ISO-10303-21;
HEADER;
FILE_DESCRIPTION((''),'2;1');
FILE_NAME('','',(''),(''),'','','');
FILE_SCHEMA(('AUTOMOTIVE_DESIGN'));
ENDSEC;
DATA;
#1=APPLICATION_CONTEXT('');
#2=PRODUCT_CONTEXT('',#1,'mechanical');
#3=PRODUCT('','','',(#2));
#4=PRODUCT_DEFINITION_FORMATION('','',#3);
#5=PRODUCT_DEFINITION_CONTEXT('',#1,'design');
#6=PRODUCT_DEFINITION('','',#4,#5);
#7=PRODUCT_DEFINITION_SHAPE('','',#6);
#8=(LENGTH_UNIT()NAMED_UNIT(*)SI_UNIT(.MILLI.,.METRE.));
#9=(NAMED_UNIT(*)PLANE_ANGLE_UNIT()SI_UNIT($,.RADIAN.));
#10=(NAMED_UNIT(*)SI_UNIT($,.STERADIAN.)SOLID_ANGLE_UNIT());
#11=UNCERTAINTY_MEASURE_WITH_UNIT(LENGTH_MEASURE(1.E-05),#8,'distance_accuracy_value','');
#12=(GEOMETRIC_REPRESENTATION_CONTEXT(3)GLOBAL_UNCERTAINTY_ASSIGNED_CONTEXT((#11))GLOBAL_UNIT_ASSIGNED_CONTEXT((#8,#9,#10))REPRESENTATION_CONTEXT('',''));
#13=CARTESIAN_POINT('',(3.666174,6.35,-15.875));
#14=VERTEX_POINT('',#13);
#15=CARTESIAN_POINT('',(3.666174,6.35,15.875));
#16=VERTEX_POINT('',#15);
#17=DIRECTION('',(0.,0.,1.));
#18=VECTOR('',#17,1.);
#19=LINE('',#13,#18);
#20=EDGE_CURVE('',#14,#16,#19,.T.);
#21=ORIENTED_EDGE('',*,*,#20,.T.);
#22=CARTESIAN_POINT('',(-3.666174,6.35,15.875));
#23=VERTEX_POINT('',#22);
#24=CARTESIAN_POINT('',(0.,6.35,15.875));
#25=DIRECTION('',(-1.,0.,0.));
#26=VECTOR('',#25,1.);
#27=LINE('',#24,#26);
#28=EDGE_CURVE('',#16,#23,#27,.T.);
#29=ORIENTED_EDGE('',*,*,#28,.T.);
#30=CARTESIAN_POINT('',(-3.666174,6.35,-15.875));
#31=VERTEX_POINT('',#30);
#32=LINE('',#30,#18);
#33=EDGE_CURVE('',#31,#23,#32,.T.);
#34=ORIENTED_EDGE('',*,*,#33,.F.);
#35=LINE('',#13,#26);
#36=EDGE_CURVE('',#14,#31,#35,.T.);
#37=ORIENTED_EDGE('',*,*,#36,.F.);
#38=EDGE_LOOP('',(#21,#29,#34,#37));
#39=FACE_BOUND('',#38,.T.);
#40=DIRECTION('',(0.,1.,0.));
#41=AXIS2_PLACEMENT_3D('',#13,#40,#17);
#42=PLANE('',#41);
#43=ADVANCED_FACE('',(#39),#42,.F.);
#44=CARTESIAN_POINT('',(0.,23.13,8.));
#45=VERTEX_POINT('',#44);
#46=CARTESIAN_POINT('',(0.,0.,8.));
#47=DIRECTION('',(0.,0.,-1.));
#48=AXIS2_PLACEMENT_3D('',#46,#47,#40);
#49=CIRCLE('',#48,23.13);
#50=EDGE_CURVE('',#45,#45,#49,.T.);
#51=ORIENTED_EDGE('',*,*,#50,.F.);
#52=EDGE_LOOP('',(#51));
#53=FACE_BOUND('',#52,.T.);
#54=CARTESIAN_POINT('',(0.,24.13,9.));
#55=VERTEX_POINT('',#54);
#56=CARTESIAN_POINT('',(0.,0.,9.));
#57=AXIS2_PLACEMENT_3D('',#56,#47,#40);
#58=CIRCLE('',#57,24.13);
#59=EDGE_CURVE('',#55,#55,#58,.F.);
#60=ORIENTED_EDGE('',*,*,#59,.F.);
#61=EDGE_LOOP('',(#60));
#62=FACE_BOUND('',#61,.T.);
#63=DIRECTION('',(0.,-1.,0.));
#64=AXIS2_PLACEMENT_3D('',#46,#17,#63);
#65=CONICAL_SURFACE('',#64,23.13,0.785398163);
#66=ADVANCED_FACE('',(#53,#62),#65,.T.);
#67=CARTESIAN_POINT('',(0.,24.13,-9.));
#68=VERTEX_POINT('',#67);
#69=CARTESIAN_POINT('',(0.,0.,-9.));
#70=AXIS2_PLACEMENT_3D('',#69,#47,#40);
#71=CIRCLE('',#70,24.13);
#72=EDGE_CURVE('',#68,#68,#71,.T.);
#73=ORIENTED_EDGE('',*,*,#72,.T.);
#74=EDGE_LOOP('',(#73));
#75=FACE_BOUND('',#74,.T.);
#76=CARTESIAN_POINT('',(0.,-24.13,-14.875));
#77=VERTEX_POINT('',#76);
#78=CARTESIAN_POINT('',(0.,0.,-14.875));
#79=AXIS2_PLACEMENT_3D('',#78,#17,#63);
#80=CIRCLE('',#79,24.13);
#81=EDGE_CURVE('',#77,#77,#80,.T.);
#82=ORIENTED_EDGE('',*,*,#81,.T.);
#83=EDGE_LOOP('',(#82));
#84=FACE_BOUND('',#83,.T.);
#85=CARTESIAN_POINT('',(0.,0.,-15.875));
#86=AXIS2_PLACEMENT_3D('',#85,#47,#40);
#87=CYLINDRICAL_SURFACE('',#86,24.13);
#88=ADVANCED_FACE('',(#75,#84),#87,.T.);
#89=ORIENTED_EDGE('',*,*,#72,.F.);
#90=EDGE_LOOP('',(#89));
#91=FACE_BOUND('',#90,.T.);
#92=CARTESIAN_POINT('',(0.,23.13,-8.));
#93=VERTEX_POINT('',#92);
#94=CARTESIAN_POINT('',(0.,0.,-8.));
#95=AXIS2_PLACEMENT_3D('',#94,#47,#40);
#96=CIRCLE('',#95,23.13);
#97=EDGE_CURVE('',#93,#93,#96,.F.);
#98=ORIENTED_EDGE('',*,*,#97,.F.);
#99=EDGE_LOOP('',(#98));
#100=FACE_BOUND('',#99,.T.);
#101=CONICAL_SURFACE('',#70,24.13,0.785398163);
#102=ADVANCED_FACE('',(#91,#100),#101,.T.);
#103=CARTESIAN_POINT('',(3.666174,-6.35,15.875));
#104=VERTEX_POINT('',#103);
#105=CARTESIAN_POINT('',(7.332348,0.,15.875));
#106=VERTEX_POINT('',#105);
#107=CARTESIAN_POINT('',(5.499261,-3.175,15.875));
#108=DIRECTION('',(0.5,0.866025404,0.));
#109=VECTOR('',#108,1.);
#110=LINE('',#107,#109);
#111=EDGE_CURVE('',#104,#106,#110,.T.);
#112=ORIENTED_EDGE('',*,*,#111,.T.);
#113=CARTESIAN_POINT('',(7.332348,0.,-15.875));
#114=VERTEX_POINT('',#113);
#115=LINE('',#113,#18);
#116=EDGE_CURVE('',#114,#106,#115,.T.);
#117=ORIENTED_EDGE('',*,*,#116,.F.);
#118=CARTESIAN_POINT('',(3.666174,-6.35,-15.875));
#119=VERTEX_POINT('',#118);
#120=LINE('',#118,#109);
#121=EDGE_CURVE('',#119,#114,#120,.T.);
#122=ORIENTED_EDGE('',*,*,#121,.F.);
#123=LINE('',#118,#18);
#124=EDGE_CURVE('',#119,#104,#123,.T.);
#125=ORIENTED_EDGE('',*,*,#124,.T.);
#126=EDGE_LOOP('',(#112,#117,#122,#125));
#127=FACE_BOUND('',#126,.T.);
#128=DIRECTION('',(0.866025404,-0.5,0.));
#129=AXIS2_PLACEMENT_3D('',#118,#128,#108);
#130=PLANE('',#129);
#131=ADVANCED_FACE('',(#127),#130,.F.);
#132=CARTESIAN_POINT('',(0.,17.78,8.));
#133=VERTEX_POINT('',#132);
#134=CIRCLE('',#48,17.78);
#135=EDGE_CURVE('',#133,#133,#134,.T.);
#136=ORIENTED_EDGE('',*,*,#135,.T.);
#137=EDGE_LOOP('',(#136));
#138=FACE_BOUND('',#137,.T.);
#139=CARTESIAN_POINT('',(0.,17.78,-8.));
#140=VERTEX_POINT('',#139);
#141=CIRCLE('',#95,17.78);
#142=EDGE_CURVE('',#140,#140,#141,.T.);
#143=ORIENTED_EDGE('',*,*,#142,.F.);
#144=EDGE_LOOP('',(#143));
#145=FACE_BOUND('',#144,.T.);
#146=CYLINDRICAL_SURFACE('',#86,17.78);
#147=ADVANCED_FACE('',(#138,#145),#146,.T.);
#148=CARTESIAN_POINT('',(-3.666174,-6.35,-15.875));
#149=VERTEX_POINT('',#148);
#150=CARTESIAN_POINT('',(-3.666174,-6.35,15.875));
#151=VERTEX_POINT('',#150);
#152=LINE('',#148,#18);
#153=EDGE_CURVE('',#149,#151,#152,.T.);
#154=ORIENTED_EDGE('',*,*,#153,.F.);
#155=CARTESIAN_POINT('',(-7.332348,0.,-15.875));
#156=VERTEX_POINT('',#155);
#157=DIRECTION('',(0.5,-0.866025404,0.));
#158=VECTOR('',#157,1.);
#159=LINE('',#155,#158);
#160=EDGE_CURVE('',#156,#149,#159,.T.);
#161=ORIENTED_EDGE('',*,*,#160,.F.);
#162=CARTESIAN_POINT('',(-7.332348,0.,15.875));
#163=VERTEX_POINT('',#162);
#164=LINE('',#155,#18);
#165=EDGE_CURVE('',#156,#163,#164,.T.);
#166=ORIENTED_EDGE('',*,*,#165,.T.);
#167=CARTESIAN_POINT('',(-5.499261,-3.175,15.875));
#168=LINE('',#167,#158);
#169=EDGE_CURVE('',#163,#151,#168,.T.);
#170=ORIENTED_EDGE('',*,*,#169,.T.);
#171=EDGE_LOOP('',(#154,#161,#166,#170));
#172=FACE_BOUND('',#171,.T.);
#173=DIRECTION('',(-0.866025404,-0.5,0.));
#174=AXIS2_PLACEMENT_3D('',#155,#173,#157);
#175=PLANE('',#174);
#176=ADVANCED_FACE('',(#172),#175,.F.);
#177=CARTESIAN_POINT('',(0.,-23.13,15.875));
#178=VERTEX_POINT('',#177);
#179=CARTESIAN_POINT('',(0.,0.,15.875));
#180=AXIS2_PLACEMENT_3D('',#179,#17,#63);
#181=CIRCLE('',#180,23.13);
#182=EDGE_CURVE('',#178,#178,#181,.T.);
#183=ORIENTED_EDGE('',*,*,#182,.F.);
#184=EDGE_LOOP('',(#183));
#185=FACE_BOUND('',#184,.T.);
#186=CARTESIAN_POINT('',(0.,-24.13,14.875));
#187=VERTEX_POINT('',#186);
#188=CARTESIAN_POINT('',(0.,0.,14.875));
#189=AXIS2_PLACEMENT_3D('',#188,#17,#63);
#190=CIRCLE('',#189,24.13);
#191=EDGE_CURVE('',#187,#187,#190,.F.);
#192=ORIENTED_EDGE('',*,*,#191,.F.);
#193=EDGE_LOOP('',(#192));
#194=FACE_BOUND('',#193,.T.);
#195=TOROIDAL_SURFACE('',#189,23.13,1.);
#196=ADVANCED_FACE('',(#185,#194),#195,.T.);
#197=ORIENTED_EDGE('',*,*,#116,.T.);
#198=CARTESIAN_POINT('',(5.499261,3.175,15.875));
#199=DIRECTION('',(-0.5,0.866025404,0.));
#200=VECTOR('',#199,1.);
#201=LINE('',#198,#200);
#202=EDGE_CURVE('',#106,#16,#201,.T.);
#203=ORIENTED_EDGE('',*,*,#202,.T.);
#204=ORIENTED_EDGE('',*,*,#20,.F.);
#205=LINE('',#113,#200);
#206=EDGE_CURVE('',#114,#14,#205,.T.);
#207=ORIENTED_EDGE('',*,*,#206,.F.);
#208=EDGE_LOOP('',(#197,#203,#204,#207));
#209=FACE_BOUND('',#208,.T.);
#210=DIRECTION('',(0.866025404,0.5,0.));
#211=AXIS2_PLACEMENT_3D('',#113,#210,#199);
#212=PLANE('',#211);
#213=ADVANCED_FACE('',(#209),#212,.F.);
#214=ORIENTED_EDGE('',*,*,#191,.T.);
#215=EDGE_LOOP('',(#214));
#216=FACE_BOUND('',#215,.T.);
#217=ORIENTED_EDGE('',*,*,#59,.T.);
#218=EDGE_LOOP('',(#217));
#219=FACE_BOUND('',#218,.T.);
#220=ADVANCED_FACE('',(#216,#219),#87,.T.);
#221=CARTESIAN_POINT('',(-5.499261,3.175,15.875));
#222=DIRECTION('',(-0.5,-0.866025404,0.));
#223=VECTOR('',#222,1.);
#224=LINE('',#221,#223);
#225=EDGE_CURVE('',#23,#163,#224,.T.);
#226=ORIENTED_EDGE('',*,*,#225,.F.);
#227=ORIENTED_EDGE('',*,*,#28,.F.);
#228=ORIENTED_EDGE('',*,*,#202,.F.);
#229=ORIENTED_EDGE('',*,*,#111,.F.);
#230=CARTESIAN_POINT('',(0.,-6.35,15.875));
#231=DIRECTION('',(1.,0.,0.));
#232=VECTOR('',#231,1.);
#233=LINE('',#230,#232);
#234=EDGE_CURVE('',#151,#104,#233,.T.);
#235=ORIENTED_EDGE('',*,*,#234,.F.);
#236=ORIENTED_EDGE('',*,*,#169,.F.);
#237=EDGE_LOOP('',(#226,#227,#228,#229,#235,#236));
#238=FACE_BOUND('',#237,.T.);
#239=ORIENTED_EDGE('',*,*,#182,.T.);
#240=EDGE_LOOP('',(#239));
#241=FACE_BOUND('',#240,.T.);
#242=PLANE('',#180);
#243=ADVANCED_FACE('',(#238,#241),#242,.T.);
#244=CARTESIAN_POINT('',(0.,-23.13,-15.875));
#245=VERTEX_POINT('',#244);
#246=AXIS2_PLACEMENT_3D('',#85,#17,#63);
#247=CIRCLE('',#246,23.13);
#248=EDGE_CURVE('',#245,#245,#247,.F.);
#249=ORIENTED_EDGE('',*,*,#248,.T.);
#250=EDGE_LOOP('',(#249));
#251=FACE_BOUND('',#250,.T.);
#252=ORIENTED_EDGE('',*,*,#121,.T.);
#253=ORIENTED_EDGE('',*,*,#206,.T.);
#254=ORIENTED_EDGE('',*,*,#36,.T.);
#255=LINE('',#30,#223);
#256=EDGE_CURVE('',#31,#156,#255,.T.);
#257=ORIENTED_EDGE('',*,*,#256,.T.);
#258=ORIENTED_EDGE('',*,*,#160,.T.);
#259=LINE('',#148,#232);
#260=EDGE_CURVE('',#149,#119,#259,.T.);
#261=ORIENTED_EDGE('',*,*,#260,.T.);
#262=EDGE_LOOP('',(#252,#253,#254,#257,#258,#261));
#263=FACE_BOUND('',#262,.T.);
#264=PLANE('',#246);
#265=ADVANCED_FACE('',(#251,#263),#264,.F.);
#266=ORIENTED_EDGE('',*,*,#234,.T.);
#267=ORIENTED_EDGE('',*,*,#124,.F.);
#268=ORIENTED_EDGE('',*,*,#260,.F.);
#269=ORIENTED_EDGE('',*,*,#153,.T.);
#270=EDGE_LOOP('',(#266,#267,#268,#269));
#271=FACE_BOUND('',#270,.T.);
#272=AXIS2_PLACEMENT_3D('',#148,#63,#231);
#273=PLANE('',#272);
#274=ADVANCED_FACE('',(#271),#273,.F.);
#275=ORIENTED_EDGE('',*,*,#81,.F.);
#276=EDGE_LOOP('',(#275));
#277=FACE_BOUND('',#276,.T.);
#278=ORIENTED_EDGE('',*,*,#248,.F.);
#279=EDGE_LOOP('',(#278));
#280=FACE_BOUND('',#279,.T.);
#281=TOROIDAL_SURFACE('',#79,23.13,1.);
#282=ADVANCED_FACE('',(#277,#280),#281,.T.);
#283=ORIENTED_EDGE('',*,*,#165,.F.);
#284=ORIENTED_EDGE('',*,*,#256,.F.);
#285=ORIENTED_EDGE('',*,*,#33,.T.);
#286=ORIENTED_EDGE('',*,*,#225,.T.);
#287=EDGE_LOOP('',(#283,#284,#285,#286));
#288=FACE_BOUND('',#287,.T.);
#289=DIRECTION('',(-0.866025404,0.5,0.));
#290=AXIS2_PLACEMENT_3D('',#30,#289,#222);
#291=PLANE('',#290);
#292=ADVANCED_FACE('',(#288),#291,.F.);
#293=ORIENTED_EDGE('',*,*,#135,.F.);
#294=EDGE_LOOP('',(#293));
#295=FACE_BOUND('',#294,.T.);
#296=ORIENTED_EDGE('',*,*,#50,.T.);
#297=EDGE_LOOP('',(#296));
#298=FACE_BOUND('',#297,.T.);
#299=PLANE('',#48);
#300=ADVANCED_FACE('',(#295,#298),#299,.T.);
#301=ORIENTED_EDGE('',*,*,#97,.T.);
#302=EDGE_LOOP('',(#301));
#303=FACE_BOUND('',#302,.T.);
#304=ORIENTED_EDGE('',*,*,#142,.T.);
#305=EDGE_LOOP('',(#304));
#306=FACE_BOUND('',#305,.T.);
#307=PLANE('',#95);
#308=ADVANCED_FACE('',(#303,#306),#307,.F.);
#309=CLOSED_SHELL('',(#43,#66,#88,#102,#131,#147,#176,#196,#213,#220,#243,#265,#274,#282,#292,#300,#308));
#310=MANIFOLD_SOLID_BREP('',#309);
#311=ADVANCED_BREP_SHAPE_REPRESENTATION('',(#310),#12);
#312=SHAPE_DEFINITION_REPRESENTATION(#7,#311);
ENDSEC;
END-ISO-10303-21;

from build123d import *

# Parameters (mm, degrees)
FILLET1_R               = 1
CHAMFER1_SIZE           = 1
CUT_EXTRUDE1_DEPTH      = 47.610903231
CUT_EXTRUDE1_DEPTH_BACK = 47.610903231


with BuildPart() as part:
    # Sketch1 → Revolve3 (revolve)
    with BuildSketch(Plane(origin=(0, 0, 0), x_dir=(0, 0, -1), z_dir=(1, 0, 0))):
        Polygon((0, 0), (0, 17.78), (-8, 17.78), (-8, 24.13), (-15.875, 24.13), (-15.875, 0), align=None)
        Polygon((8, 17.78), (0, 17.78), (0, 0), (15.875, 0), (15.875, 24.13), (8, 24.13), align=None)
    revolve(axis=Axis((0, 0, -15.875), (0, 0, 1)))

    # Fillet1
    fillet1_edges = [part.edges().sort_by_distance(p)[0] for p in [
        (0, -24.13, -15.875),
        (0, -24.13, 15.875),
    ]]
    fillet(fillet1_edges, radius=FILLET1_R)

    # Chamfer1
    chamfer1_edges = [part.edges().sort_by_distance(p)[0] for p in [
        (0, -24.13, -8),
        (0, -24.13, 8),
    ]]
    chamfer(chamfer1_edges, length=CHAMFER1_SIZE)

    # Sketch2 → Cut-Extrude1 (cut, two sides: drawn at the far end of the back side and taken through both)
    with BuildSketch(Plane.XY.offset(15.875).offset(-CUT_EXTRUDE1_DEPTH_BACK)):
        Polygon((7.332348419, 0), (3.666174209, 6.35), (-3.666174209, 6.35), (-7.332348419, 0), (-3.666174209, -6.35), (3.666174209, -6.35), align=None)
    extrude(amount=CUT_EXTRUDE1_DEPTH + CUT_EXTRUDE1_DEPTH_BACK, mode=Mode.SUBTRACT)


solid = part.part
